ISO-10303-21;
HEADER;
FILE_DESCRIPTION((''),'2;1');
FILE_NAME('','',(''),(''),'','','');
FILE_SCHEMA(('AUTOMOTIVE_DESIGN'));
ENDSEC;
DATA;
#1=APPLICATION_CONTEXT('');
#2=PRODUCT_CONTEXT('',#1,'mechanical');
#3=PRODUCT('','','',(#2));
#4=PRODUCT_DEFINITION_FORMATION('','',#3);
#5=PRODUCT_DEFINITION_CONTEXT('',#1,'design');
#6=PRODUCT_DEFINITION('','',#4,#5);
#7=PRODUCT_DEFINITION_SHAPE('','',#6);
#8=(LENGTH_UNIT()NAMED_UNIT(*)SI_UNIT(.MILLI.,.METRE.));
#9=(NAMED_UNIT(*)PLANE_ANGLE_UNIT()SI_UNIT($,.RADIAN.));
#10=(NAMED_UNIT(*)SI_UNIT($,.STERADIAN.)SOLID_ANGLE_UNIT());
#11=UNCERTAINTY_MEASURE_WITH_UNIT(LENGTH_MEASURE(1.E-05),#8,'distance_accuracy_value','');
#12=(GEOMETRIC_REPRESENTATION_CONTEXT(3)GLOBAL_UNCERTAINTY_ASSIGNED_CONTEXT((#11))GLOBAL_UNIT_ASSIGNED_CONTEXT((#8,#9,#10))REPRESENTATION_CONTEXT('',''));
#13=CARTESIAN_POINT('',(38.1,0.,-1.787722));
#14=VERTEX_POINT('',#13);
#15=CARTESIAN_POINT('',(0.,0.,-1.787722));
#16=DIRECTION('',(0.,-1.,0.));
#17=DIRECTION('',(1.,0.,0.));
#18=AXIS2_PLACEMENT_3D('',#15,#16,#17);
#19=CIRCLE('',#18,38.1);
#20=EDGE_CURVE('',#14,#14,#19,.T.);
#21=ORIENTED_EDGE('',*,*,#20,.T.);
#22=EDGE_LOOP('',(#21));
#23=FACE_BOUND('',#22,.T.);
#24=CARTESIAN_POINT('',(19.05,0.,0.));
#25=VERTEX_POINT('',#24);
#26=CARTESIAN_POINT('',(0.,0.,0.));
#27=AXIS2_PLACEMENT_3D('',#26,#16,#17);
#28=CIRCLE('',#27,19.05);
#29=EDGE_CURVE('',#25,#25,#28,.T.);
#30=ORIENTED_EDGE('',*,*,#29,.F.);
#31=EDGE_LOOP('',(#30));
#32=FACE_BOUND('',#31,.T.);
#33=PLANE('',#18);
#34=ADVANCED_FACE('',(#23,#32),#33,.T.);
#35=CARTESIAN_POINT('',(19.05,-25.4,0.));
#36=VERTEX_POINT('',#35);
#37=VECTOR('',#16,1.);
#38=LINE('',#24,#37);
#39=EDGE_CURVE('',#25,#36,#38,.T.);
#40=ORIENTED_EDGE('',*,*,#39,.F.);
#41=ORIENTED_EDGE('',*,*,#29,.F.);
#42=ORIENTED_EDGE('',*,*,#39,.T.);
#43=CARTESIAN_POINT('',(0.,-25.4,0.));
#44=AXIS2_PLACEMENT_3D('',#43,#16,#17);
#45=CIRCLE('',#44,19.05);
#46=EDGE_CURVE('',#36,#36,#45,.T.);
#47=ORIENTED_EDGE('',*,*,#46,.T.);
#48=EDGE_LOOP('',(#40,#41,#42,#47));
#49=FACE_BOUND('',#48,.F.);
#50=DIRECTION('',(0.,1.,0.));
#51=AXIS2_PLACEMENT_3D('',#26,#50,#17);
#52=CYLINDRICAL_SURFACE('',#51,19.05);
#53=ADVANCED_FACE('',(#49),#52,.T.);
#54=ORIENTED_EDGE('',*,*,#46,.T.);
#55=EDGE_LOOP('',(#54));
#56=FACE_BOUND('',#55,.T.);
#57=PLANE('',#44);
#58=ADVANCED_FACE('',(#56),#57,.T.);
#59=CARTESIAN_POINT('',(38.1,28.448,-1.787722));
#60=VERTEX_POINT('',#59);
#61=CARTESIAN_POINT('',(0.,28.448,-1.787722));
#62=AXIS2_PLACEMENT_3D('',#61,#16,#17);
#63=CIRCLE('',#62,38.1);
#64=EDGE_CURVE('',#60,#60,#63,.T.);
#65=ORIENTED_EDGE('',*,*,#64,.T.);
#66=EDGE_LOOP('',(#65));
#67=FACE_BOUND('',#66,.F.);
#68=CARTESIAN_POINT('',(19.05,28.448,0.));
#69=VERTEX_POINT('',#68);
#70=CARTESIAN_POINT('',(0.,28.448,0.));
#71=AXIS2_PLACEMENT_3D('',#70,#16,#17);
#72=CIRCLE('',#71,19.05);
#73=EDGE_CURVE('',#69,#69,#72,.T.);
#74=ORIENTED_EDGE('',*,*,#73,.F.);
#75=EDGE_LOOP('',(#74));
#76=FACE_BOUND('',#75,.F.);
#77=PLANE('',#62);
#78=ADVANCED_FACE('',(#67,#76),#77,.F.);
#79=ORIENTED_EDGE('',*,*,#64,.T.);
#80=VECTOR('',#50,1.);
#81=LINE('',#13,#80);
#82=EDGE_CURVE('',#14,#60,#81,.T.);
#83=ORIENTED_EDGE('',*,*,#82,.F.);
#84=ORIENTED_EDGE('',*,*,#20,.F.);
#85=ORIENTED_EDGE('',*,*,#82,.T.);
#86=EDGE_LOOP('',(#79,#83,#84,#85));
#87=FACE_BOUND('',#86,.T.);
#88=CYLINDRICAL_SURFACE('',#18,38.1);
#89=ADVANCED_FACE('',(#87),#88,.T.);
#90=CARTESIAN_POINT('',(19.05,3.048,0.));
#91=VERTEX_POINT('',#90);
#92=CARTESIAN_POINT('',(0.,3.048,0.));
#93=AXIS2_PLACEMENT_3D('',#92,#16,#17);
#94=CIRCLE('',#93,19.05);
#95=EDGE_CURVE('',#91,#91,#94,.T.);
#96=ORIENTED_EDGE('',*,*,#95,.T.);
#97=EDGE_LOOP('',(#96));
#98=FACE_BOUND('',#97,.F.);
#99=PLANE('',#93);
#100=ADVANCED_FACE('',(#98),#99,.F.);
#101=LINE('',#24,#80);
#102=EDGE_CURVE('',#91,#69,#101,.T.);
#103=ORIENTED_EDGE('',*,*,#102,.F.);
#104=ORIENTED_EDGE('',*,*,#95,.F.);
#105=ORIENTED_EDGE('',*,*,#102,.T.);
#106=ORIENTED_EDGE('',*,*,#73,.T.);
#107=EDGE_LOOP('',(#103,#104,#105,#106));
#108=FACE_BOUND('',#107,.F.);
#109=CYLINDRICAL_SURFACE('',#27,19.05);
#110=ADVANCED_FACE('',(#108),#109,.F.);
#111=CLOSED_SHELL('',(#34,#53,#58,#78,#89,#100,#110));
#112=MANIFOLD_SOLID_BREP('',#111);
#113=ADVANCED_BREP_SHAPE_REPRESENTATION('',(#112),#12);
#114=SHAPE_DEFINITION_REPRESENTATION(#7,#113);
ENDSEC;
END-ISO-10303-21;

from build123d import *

# Parameters (mm, degrees)
F0_R      = 19.05
F1_DEPTH  = 25.4
F0_R_2    = 38.1
F1_FACE_R = 19.05
F2_DEPTH  = 28.448


with BuildPart() as f1:
    # F0 (on Front) → F1 (new body)
    with BuildSketch(Plane.XZ):
        Circle(F0_R)
    extrude(amount=F1_DEPTH)

    # F0 (on Front) + F1_face (on face) → F2 (join)
    with BuildSketch(Plane.XZ):
        with Locations((0, -1.7877216443)):
            Circle(F0_R_2)
        Circle(F0_R, mode=Mode.SUBTRACT)
    with BuildSketch(Plane.XZ.offset(25.4)):
        Circle(F1_FACE_R)
    extrude(amount=-F2_DEPTH)


solid = f1.part
